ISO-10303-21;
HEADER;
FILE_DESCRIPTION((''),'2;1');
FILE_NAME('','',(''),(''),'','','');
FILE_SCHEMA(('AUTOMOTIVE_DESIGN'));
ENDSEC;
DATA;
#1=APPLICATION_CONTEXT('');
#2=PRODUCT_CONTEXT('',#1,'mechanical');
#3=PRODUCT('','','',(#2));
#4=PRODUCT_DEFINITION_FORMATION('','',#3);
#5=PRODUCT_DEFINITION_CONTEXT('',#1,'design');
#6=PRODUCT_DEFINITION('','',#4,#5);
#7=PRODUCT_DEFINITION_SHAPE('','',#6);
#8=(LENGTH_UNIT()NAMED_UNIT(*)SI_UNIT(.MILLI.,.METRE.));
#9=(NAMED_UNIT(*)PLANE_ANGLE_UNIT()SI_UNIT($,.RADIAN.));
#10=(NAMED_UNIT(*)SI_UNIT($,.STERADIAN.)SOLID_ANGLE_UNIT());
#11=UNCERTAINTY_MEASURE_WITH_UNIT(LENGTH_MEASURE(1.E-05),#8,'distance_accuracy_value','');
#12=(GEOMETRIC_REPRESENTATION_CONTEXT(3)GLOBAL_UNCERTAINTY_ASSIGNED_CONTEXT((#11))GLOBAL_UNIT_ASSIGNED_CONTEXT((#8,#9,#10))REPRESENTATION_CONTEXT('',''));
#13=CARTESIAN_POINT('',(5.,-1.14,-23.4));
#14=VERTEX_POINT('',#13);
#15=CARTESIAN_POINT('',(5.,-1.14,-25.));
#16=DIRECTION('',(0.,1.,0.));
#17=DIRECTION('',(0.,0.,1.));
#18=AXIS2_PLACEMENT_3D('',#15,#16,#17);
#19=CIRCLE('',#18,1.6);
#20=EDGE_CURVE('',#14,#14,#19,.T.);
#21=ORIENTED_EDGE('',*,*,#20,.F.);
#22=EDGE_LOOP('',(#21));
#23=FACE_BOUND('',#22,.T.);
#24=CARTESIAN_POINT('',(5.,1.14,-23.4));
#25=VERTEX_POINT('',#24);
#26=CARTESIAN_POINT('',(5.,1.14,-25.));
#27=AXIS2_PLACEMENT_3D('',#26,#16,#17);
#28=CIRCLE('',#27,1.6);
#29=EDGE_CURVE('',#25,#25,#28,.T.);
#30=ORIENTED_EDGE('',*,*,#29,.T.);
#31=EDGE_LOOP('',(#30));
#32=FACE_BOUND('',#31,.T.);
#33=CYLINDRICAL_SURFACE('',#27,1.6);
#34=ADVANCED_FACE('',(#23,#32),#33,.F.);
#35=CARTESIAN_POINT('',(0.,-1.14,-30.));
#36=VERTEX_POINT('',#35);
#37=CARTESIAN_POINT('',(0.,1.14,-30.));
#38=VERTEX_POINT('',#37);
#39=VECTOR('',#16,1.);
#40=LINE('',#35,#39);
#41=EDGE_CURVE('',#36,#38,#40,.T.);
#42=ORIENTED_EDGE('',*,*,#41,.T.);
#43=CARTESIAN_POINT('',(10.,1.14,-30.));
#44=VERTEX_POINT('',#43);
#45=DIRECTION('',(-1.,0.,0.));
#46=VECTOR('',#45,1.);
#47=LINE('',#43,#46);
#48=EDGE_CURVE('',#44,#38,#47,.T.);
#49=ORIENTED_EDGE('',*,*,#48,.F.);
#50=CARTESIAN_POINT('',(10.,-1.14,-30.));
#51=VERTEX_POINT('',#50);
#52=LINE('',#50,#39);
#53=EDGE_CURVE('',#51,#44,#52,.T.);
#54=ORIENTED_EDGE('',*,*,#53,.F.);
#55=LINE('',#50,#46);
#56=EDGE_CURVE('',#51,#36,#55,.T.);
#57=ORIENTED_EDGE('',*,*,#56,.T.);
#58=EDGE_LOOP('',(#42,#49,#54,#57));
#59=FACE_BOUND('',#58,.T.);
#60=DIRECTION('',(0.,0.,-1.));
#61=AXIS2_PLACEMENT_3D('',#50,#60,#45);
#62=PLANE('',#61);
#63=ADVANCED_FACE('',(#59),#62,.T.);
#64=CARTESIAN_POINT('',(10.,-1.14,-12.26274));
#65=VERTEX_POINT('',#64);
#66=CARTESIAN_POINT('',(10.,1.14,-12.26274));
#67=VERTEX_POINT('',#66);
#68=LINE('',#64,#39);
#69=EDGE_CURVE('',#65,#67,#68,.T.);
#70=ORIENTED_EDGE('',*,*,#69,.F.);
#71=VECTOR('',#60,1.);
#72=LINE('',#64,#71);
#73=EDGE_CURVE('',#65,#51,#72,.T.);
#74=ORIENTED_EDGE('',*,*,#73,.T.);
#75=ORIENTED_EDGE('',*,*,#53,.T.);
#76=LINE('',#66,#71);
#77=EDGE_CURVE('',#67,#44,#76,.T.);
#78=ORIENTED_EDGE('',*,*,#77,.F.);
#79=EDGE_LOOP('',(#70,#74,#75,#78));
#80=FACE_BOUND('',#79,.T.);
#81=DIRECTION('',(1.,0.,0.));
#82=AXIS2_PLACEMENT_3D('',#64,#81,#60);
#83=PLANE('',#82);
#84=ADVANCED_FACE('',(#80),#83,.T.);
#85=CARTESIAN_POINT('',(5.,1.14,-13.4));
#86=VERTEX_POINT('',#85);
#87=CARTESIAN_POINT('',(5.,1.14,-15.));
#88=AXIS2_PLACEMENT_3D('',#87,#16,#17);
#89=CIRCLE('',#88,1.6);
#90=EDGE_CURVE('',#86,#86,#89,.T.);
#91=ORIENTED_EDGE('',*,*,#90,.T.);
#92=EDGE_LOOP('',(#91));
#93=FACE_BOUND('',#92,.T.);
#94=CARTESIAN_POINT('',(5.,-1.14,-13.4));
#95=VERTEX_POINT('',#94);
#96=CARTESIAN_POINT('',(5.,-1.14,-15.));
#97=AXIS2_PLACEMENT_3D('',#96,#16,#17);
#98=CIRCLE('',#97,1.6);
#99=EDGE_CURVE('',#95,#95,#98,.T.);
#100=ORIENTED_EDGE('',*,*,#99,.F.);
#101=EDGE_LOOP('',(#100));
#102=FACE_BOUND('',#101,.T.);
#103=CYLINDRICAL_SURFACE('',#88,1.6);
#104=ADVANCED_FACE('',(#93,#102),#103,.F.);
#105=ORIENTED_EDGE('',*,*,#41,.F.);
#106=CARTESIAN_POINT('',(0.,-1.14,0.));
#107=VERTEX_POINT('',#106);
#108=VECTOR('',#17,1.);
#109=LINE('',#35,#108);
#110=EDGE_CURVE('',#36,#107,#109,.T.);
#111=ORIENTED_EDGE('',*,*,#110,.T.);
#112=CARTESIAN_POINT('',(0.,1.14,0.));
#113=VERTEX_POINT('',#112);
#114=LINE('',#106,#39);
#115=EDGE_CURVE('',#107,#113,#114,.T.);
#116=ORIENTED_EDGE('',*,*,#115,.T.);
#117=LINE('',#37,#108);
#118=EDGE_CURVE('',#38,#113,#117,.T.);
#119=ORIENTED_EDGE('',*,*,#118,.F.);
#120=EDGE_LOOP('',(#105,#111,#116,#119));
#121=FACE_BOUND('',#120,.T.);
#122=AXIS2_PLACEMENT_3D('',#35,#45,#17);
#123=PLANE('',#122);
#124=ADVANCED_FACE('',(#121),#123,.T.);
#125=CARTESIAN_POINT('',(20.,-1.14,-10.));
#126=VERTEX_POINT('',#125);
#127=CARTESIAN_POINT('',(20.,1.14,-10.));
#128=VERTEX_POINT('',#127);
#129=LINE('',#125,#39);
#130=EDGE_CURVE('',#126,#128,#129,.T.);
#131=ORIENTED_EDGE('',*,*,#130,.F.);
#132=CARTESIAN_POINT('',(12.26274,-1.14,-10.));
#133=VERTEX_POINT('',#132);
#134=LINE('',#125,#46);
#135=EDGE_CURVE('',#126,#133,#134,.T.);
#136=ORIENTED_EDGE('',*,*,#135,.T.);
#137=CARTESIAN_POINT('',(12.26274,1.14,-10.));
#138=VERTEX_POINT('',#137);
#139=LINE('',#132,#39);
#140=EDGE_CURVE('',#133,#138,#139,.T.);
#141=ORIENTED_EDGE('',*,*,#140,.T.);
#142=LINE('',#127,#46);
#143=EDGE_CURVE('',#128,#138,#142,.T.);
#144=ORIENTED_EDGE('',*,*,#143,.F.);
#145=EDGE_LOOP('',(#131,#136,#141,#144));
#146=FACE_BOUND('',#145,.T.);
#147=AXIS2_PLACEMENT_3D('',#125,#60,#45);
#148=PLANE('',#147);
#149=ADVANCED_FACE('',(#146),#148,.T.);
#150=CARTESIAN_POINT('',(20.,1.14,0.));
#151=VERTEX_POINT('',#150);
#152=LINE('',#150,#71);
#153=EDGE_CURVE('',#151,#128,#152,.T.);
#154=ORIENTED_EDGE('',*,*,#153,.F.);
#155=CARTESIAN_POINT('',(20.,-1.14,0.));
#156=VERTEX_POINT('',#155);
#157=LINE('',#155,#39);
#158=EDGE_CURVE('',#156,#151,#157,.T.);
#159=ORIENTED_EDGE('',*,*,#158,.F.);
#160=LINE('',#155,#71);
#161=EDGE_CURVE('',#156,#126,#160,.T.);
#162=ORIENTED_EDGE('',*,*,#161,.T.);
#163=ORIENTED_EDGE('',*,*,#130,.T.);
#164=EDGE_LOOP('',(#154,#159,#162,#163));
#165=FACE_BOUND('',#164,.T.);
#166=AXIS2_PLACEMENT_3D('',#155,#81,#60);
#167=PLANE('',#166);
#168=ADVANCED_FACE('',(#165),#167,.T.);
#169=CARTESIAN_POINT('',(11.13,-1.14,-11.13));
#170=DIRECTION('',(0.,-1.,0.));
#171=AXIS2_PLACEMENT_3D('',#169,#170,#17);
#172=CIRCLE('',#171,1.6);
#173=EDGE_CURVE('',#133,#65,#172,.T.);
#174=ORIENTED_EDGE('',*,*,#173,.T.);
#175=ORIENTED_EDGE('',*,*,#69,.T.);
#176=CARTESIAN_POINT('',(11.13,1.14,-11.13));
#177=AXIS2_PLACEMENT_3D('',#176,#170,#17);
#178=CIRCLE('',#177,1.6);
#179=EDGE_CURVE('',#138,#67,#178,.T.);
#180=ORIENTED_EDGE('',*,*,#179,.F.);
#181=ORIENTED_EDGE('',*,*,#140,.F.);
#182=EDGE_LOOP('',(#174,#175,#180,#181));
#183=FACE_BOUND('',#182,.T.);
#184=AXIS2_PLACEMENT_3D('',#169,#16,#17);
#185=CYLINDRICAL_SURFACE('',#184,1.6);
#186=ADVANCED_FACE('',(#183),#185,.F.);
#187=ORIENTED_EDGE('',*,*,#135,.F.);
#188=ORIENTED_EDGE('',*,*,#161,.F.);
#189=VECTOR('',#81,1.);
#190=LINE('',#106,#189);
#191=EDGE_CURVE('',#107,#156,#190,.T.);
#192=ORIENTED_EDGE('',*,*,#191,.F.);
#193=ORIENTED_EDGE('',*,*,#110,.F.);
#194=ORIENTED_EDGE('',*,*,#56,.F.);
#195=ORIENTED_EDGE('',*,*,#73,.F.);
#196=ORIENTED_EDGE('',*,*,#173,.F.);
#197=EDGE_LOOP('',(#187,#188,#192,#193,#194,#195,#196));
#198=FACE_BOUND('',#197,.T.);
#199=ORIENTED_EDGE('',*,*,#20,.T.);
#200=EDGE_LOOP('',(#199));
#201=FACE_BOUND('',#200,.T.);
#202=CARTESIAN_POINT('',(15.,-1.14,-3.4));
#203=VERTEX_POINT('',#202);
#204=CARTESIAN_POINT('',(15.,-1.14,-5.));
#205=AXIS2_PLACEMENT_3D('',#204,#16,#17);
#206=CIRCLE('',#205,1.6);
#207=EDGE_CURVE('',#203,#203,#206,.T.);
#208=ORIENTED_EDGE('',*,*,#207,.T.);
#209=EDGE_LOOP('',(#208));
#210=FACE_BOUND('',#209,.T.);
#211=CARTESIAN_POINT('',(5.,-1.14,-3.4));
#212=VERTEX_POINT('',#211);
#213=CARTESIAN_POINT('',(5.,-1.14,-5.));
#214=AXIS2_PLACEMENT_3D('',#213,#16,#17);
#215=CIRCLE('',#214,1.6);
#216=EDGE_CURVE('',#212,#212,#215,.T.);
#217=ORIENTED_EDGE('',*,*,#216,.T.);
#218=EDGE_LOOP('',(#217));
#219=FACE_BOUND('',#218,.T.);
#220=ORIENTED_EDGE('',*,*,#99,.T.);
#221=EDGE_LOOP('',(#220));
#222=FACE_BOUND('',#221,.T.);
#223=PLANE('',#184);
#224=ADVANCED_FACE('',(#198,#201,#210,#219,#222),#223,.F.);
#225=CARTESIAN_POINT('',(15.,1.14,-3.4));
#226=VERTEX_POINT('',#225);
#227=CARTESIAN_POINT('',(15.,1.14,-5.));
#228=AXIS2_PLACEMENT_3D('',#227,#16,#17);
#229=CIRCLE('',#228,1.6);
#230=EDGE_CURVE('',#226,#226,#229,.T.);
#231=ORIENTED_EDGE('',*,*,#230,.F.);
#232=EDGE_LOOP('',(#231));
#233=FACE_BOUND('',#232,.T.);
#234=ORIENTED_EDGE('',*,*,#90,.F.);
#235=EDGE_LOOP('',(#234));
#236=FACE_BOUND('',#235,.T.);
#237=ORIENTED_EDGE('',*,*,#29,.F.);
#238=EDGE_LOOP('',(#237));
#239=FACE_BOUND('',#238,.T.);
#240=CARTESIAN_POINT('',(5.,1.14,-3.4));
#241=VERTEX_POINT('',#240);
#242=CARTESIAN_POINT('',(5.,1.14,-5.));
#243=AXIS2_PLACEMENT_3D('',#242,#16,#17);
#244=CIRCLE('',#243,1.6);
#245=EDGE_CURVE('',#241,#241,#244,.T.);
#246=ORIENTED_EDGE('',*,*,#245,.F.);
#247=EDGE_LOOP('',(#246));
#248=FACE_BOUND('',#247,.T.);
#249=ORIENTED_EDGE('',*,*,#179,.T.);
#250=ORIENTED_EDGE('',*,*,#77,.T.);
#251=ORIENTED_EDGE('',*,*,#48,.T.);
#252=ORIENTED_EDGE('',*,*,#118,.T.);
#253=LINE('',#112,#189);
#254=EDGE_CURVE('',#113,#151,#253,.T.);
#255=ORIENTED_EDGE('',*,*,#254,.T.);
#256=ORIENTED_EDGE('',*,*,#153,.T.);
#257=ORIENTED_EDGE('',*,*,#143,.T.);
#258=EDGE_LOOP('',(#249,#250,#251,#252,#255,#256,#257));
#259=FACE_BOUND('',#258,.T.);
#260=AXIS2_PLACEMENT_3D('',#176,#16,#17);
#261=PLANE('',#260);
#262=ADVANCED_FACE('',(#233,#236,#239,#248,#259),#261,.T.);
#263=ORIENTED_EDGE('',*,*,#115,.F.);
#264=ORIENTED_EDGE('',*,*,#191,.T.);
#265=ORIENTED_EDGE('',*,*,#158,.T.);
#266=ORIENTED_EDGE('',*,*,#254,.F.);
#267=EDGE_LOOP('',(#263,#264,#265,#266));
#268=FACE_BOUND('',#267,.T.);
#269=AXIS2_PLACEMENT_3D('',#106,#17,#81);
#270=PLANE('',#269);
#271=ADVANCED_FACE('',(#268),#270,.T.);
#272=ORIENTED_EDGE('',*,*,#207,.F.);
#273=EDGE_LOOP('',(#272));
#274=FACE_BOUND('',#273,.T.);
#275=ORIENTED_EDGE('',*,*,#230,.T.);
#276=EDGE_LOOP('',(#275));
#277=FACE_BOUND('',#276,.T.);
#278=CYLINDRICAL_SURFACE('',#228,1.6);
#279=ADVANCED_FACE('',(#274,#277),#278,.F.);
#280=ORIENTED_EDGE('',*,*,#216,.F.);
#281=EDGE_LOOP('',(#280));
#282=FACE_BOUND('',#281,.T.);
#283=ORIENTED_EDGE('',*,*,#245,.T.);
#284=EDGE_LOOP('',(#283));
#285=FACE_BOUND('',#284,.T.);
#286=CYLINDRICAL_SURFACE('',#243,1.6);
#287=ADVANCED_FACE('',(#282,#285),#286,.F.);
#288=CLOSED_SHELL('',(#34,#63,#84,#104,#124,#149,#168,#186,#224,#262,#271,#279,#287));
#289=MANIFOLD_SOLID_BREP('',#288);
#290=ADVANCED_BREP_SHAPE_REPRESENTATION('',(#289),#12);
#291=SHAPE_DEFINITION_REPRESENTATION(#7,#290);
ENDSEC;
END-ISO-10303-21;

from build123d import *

# Parameters (mm, degrees)
BOSS_EXTRUDE1_DEPTH            = 1.14
F_3_2_3_2_DIAMETER_HOLE1_D     = 3.2
F_3_2_3_2_DIAMETER_HOLE1_DEPTH = 10
F_3_2_3_2_DIAMETER_HOLE1_TIP   = 0.96137699


with BuildPart() as part:
    # Sketch1 → Boss-Extrude1 (new body, symmetric)
    with BuildSketch(Plane(origin=(0, 0, 2279.99997139), x_dir=(1, 0, 0), z_dir=(0, 1, 0))):
        with BuildLine():
            Line((10, 2292.262711431), (10, 2309.99997139))
            Line((10, 2309.99997139), (0, 2309.99997139))
            Line((0, 2309.99997139), (0, 2279.99997139))
            Line((0, 2279.99997139), (20, 2279.99997139))
            Line((20, 2279.99997139), (20, 2289.99997139))
            Line((20, 2289.99997139), (12.262740041, 2289.99997139))
            ThreePointArc((12.262740041, 2289.99997139), (9.99862915, 2289.99860054), (10, 2292.262711431))
        make_face()
    extrude(amount=BOSS_EXTRUDE1_DEPTH, both=True)

    # Ø3.2 (3.2) Diameter Hole1
    with Locations(Plane(origin=(0, 1.14, 0), x_dir=(1, 0, 0), z_dir=(0, 1, 0))):
        with Locations((5, 25), (5, 5), (15, 5), (5, 15)):
            Hole(F_3_2_3_2_DIAMETER_HOLE1_D / 2, depth=F_3_2_3_2_DIAMETER_HOLE1_DEPTH)
            with Locations((0, 0, -(F_3_2_3_2_DIAMETER_HOLE1_DEPTH + F_3_2_3_2_DIAMETER_HOLE1_TIP / 2))):  # 118° drill point
                Cone(0, F_3_2_3_2_DIAMETER_HOLE1_D / 2, F_3_2_3_2_DIAMETER_HOLE1_TIP, mode=Mode.SUBTRACT)


solid = part.part
